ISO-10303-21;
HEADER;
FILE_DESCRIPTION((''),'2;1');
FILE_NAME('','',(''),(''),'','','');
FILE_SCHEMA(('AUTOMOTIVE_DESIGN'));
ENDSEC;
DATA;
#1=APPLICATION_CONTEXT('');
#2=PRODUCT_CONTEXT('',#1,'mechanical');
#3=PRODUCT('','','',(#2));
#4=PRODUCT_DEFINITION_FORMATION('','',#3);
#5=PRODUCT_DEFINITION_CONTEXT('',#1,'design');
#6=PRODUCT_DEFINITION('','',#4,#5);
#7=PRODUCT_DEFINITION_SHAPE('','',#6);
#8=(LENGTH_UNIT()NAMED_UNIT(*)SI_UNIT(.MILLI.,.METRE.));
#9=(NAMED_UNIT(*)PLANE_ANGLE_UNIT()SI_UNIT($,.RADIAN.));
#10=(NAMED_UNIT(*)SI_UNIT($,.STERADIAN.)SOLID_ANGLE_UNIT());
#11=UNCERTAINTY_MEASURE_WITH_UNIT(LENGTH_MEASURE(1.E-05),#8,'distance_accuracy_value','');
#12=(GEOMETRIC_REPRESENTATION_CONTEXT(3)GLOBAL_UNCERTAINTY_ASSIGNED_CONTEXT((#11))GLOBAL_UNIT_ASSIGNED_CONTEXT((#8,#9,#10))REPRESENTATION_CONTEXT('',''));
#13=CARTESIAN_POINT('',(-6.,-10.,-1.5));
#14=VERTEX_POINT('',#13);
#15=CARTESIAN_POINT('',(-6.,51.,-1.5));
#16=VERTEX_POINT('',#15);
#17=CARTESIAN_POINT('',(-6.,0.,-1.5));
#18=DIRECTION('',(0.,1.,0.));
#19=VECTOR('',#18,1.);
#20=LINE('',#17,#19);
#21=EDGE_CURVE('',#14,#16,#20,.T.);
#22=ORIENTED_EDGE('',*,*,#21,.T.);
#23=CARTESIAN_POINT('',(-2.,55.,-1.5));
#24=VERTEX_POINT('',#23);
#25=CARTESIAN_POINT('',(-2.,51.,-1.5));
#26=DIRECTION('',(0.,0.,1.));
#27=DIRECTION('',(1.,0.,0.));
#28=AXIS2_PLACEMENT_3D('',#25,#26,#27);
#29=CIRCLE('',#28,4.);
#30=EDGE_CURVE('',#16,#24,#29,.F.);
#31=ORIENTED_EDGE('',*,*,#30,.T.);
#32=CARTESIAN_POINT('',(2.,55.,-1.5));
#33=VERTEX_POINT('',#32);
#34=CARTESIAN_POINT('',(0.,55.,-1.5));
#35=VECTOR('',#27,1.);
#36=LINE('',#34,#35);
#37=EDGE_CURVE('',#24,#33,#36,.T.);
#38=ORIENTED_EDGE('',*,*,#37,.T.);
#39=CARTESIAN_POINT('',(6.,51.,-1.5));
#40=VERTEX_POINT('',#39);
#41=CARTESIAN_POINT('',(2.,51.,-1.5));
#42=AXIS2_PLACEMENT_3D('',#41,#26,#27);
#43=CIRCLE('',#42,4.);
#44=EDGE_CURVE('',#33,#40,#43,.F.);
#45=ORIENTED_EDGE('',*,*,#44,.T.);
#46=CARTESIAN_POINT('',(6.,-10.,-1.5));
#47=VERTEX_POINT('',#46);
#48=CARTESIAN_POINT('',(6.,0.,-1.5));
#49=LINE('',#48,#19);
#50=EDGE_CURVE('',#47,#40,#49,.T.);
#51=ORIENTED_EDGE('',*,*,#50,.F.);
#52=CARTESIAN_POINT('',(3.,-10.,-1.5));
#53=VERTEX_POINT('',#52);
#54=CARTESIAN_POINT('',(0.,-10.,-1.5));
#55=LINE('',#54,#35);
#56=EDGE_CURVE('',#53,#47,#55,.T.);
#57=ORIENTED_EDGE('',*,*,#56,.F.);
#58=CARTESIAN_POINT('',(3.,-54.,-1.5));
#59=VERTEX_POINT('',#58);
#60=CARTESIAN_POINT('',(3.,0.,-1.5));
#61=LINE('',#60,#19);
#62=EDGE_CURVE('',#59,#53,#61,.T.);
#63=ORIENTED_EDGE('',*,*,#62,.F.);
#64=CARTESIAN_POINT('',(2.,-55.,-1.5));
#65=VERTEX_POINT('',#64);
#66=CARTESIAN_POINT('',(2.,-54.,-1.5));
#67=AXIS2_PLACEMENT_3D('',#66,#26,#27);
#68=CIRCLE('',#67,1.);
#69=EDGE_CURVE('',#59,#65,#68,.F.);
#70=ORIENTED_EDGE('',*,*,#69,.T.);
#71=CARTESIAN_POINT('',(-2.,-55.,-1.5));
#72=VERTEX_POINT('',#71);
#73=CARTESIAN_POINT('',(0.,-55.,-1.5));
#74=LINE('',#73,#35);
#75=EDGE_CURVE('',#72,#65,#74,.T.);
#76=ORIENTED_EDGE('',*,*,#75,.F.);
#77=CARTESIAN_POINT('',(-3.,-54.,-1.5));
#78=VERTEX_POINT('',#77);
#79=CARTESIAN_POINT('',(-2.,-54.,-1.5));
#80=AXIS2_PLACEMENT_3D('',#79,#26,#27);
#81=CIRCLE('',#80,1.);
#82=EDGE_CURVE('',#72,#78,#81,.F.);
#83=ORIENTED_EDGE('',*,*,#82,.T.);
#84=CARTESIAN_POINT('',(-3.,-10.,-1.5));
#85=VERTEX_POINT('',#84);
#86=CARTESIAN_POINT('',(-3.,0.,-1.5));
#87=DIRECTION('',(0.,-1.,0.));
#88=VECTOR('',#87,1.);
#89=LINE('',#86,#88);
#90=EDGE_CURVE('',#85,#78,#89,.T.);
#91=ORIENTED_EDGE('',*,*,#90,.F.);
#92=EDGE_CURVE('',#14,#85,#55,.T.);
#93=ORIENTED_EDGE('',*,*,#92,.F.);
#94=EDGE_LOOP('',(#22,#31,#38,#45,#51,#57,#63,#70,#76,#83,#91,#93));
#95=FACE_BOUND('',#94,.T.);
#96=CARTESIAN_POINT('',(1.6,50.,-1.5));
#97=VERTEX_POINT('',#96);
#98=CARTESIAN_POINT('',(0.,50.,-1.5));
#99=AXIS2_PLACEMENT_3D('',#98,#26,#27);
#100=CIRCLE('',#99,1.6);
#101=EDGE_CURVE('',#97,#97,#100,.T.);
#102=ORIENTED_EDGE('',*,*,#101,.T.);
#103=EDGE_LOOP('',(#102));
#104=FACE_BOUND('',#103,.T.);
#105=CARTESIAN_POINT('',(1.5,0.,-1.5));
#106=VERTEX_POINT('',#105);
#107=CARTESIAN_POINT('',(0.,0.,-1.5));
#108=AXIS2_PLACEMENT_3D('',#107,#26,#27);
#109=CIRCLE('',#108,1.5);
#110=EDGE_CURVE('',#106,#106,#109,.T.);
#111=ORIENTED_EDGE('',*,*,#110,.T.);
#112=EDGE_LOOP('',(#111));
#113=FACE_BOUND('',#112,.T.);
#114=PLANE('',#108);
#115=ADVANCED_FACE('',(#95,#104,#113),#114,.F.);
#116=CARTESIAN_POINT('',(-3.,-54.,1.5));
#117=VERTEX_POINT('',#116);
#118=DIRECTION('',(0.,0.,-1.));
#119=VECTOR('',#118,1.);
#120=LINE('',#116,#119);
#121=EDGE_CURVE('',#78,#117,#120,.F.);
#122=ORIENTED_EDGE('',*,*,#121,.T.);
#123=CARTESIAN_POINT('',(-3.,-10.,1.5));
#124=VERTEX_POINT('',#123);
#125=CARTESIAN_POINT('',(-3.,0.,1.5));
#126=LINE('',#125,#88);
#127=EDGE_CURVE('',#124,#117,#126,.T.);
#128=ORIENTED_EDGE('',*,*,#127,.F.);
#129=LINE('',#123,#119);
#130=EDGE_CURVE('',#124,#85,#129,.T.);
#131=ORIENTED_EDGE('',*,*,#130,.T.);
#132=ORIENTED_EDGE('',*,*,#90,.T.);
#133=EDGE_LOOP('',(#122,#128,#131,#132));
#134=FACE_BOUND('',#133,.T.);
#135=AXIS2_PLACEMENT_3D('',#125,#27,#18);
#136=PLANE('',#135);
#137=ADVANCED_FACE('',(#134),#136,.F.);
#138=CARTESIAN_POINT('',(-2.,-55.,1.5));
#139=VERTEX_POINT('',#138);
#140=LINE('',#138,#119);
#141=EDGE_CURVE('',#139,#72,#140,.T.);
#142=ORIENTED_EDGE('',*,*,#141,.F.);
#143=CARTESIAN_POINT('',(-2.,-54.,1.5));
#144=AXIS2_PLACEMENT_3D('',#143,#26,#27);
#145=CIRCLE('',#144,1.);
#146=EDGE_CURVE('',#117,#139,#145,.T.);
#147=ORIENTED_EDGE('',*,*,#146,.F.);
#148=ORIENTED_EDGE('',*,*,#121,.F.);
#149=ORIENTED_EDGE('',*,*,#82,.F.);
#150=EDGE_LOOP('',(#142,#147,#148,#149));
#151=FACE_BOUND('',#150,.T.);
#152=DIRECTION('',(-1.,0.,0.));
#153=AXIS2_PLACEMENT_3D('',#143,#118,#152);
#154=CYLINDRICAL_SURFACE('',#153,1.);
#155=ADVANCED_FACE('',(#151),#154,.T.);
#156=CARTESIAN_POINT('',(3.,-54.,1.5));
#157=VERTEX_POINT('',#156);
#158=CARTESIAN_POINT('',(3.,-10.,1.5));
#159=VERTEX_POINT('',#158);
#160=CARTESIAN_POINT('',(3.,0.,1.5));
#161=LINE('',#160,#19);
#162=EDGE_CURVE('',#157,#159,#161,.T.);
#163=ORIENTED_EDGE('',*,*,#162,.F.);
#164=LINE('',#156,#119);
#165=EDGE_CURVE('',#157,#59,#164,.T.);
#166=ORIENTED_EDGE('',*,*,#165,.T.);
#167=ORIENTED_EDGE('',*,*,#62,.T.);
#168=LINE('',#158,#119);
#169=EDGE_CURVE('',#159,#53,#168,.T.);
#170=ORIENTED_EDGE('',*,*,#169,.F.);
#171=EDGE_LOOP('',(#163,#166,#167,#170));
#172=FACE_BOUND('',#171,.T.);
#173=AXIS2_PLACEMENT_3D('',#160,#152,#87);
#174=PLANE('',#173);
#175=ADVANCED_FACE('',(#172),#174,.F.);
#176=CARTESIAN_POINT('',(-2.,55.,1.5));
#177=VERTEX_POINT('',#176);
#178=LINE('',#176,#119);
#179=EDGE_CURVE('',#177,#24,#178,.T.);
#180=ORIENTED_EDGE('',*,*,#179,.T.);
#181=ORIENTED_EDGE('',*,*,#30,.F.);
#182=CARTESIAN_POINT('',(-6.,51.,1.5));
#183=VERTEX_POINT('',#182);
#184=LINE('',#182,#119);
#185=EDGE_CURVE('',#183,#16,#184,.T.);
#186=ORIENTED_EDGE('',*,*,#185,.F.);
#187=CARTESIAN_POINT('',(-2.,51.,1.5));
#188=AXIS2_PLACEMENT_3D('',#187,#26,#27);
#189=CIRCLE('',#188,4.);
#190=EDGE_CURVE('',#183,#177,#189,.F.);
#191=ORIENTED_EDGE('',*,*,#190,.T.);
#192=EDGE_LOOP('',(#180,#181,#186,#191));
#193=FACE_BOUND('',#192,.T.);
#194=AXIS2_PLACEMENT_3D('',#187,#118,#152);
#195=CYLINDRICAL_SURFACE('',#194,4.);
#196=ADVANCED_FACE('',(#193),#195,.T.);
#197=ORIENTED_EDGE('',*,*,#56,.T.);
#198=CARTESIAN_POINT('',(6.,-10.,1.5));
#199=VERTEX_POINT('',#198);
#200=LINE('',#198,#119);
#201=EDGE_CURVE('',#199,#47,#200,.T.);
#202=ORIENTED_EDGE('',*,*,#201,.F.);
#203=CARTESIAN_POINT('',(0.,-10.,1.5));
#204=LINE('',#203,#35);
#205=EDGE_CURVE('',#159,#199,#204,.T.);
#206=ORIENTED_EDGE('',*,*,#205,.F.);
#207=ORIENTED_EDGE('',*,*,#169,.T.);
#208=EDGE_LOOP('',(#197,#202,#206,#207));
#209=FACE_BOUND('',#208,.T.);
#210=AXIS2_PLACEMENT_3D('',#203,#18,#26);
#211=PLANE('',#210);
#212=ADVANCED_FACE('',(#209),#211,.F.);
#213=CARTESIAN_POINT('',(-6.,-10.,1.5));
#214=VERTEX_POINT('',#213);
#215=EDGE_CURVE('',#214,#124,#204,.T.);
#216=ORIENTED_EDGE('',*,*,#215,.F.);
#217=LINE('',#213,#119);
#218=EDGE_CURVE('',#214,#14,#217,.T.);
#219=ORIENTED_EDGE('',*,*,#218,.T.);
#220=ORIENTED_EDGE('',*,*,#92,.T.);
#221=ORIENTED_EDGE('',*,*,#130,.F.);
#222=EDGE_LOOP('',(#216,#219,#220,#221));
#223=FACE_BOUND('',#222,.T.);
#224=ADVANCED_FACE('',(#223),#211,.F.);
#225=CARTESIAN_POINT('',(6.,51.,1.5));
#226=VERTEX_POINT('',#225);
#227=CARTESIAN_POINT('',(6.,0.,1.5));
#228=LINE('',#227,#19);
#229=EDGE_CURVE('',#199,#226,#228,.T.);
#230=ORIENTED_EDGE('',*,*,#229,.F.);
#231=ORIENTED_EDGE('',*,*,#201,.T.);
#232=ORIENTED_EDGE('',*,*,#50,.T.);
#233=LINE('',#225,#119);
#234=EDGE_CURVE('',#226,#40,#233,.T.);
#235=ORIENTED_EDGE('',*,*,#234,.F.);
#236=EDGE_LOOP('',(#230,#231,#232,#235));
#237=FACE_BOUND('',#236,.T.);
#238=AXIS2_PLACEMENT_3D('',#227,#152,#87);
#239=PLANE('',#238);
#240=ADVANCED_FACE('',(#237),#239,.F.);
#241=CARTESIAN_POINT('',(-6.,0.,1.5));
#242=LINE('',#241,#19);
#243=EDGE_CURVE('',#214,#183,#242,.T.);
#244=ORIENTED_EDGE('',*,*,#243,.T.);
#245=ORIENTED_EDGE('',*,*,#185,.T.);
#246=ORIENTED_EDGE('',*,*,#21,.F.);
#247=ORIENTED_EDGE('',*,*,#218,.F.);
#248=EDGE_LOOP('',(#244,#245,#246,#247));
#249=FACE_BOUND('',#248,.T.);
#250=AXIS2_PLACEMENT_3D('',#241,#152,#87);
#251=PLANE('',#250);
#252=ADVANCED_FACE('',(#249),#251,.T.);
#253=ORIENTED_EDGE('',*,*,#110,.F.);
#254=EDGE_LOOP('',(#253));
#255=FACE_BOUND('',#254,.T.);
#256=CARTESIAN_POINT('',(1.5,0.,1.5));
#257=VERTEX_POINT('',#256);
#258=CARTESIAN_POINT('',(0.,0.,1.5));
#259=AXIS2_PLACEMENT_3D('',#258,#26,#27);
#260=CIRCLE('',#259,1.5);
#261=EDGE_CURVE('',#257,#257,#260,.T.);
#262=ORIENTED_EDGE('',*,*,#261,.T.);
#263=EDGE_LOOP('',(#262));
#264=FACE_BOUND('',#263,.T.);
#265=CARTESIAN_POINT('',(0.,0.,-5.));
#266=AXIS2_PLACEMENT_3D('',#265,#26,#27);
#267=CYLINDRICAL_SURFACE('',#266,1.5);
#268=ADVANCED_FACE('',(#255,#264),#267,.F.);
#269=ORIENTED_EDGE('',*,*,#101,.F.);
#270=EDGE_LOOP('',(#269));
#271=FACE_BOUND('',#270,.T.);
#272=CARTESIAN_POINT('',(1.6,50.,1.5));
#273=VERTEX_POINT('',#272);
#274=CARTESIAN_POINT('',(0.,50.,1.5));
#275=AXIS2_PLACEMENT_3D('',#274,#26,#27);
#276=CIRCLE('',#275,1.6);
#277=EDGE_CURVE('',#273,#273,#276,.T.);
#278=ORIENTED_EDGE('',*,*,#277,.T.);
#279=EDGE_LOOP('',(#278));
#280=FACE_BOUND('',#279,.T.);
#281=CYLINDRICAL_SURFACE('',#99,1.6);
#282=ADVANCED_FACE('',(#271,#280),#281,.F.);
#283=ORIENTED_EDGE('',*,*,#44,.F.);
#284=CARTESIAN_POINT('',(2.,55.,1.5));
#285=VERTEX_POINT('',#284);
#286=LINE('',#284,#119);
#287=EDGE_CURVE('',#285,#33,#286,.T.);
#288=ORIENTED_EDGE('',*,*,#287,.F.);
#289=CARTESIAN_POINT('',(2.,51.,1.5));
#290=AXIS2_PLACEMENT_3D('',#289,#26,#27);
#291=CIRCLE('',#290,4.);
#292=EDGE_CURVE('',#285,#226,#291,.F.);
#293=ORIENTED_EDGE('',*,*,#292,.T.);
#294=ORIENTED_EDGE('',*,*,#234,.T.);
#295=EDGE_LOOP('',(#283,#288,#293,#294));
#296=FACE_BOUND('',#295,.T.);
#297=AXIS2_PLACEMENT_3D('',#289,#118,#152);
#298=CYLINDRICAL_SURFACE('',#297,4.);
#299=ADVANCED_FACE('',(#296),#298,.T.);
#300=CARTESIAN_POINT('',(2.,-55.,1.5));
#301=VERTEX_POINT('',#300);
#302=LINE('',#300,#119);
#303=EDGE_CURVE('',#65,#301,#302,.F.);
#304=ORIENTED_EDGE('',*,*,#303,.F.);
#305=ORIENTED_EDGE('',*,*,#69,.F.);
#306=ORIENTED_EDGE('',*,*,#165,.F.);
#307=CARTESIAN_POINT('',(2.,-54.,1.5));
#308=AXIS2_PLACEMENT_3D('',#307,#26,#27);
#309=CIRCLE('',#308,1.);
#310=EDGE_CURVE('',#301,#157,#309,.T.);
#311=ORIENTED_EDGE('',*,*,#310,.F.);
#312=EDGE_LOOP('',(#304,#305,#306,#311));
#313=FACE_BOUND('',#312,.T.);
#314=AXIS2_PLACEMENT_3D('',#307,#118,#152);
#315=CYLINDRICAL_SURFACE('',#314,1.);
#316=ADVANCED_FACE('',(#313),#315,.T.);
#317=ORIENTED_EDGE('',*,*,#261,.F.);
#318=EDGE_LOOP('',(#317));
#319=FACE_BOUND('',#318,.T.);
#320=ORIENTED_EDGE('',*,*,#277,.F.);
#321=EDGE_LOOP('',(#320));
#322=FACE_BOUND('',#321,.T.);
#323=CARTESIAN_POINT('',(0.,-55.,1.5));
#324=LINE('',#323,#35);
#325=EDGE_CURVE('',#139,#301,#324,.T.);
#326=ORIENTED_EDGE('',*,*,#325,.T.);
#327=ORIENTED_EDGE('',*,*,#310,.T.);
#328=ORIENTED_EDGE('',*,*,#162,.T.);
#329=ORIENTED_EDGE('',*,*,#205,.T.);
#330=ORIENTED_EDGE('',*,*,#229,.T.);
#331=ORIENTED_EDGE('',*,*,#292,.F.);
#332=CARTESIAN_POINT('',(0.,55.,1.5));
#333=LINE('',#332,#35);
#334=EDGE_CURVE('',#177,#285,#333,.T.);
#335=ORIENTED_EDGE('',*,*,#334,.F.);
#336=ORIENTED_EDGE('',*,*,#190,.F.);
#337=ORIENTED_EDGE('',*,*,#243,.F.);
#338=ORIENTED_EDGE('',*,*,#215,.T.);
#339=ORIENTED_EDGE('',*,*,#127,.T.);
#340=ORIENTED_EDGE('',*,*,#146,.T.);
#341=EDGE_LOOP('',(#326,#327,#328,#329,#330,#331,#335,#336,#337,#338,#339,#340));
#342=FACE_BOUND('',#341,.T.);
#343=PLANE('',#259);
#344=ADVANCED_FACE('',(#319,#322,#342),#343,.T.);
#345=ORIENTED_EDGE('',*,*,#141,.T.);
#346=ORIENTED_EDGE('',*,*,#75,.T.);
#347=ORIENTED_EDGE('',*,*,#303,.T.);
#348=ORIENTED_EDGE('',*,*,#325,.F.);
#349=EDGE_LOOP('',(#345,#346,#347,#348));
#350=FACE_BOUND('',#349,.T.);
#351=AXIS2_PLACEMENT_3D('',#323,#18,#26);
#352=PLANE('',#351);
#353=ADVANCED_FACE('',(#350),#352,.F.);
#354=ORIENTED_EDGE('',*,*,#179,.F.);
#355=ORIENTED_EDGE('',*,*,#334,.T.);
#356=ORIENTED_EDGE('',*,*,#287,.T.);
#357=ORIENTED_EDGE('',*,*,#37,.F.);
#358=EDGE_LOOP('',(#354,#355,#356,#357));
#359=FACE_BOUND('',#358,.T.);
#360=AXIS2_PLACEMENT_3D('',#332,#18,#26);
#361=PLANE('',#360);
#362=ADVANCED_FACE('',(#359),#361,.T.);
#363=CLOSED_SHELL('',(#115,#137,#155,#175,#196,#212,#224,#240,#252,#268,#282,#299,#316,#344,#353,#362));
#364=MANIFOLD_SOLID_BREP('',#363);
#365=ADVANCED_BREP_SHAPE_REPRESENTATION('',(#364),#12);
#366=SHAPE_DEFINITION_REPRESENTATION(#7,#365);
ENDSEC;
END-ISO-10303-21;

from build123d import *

# Parameters (mm, degrees)
SALIENTE_EXTRUIR1_DEPTH = 1.5
CROQUIS2_R              = 1.6
CORTAR_EXTRUIR1_DEPTH   = 3
REDONDEO1_R             = 1
CROQUIS3_R              = 1.5
CORTAR_EXTRUIR2_DEPTH   = 5


with BuildPart() as part:
    # Croquis1 → Saliente-Extruir1 (new, symmetric)
    with BuildSketch(Plane.XY):
        with BuildLine():
            Line((-6, 51), (-6, -10))
            Line((-6, -10), (-3, -10))
            Line((-3, -10), (-3, -55))
            Line((-3, -55), (3, -55))
            Line((3, -55), (3, -10))
            Line((3, -10), (6, -10))
            Line((6, -10), (6, 51))
            ThreePointArc((6, 51), (4.828427125, 53.828427125), (2, 55))
            Line((2, 55), (-2, 55))
            ThreePointArc((-2, 55), (-4.828427125, 53.828427125), (-6, 51))
        make_face()
    extrude(amount=SALIENTE_EXTRUIR1_DEPTH, both=True)

    # Croquis2 → Cortar-Extruir1 (cut)
    with BuildSketch(Plane.XY.offset(1.5)):
        with Locations((0, 50)):
            Circle(CROQUIS2_R)
    extrude(amount=-CORTAR_EXTRUIR1_DEPTH, mode=Mode.SUBTRACT)

    # Redondeo1
    redondeo1_edges = [part.edges().sort_by_distance(p)[0] for p in [
        (3, -55, 0),
        (-3, -55, 0),
    ]]
    fillet(redondeo1_edges, radius=REDONDEO1_R)

    # Croquis3 → Cortar-Extruir2 (cut, symmetric)
    with BuildSketch(Plane.XY):
        Circle(CROQUIS3_R)
    extrude(amount=CORTAR_EXTRUIR2_DEPTH, both=True, mode=Mode.SUBTRACT)


solid = part.part
